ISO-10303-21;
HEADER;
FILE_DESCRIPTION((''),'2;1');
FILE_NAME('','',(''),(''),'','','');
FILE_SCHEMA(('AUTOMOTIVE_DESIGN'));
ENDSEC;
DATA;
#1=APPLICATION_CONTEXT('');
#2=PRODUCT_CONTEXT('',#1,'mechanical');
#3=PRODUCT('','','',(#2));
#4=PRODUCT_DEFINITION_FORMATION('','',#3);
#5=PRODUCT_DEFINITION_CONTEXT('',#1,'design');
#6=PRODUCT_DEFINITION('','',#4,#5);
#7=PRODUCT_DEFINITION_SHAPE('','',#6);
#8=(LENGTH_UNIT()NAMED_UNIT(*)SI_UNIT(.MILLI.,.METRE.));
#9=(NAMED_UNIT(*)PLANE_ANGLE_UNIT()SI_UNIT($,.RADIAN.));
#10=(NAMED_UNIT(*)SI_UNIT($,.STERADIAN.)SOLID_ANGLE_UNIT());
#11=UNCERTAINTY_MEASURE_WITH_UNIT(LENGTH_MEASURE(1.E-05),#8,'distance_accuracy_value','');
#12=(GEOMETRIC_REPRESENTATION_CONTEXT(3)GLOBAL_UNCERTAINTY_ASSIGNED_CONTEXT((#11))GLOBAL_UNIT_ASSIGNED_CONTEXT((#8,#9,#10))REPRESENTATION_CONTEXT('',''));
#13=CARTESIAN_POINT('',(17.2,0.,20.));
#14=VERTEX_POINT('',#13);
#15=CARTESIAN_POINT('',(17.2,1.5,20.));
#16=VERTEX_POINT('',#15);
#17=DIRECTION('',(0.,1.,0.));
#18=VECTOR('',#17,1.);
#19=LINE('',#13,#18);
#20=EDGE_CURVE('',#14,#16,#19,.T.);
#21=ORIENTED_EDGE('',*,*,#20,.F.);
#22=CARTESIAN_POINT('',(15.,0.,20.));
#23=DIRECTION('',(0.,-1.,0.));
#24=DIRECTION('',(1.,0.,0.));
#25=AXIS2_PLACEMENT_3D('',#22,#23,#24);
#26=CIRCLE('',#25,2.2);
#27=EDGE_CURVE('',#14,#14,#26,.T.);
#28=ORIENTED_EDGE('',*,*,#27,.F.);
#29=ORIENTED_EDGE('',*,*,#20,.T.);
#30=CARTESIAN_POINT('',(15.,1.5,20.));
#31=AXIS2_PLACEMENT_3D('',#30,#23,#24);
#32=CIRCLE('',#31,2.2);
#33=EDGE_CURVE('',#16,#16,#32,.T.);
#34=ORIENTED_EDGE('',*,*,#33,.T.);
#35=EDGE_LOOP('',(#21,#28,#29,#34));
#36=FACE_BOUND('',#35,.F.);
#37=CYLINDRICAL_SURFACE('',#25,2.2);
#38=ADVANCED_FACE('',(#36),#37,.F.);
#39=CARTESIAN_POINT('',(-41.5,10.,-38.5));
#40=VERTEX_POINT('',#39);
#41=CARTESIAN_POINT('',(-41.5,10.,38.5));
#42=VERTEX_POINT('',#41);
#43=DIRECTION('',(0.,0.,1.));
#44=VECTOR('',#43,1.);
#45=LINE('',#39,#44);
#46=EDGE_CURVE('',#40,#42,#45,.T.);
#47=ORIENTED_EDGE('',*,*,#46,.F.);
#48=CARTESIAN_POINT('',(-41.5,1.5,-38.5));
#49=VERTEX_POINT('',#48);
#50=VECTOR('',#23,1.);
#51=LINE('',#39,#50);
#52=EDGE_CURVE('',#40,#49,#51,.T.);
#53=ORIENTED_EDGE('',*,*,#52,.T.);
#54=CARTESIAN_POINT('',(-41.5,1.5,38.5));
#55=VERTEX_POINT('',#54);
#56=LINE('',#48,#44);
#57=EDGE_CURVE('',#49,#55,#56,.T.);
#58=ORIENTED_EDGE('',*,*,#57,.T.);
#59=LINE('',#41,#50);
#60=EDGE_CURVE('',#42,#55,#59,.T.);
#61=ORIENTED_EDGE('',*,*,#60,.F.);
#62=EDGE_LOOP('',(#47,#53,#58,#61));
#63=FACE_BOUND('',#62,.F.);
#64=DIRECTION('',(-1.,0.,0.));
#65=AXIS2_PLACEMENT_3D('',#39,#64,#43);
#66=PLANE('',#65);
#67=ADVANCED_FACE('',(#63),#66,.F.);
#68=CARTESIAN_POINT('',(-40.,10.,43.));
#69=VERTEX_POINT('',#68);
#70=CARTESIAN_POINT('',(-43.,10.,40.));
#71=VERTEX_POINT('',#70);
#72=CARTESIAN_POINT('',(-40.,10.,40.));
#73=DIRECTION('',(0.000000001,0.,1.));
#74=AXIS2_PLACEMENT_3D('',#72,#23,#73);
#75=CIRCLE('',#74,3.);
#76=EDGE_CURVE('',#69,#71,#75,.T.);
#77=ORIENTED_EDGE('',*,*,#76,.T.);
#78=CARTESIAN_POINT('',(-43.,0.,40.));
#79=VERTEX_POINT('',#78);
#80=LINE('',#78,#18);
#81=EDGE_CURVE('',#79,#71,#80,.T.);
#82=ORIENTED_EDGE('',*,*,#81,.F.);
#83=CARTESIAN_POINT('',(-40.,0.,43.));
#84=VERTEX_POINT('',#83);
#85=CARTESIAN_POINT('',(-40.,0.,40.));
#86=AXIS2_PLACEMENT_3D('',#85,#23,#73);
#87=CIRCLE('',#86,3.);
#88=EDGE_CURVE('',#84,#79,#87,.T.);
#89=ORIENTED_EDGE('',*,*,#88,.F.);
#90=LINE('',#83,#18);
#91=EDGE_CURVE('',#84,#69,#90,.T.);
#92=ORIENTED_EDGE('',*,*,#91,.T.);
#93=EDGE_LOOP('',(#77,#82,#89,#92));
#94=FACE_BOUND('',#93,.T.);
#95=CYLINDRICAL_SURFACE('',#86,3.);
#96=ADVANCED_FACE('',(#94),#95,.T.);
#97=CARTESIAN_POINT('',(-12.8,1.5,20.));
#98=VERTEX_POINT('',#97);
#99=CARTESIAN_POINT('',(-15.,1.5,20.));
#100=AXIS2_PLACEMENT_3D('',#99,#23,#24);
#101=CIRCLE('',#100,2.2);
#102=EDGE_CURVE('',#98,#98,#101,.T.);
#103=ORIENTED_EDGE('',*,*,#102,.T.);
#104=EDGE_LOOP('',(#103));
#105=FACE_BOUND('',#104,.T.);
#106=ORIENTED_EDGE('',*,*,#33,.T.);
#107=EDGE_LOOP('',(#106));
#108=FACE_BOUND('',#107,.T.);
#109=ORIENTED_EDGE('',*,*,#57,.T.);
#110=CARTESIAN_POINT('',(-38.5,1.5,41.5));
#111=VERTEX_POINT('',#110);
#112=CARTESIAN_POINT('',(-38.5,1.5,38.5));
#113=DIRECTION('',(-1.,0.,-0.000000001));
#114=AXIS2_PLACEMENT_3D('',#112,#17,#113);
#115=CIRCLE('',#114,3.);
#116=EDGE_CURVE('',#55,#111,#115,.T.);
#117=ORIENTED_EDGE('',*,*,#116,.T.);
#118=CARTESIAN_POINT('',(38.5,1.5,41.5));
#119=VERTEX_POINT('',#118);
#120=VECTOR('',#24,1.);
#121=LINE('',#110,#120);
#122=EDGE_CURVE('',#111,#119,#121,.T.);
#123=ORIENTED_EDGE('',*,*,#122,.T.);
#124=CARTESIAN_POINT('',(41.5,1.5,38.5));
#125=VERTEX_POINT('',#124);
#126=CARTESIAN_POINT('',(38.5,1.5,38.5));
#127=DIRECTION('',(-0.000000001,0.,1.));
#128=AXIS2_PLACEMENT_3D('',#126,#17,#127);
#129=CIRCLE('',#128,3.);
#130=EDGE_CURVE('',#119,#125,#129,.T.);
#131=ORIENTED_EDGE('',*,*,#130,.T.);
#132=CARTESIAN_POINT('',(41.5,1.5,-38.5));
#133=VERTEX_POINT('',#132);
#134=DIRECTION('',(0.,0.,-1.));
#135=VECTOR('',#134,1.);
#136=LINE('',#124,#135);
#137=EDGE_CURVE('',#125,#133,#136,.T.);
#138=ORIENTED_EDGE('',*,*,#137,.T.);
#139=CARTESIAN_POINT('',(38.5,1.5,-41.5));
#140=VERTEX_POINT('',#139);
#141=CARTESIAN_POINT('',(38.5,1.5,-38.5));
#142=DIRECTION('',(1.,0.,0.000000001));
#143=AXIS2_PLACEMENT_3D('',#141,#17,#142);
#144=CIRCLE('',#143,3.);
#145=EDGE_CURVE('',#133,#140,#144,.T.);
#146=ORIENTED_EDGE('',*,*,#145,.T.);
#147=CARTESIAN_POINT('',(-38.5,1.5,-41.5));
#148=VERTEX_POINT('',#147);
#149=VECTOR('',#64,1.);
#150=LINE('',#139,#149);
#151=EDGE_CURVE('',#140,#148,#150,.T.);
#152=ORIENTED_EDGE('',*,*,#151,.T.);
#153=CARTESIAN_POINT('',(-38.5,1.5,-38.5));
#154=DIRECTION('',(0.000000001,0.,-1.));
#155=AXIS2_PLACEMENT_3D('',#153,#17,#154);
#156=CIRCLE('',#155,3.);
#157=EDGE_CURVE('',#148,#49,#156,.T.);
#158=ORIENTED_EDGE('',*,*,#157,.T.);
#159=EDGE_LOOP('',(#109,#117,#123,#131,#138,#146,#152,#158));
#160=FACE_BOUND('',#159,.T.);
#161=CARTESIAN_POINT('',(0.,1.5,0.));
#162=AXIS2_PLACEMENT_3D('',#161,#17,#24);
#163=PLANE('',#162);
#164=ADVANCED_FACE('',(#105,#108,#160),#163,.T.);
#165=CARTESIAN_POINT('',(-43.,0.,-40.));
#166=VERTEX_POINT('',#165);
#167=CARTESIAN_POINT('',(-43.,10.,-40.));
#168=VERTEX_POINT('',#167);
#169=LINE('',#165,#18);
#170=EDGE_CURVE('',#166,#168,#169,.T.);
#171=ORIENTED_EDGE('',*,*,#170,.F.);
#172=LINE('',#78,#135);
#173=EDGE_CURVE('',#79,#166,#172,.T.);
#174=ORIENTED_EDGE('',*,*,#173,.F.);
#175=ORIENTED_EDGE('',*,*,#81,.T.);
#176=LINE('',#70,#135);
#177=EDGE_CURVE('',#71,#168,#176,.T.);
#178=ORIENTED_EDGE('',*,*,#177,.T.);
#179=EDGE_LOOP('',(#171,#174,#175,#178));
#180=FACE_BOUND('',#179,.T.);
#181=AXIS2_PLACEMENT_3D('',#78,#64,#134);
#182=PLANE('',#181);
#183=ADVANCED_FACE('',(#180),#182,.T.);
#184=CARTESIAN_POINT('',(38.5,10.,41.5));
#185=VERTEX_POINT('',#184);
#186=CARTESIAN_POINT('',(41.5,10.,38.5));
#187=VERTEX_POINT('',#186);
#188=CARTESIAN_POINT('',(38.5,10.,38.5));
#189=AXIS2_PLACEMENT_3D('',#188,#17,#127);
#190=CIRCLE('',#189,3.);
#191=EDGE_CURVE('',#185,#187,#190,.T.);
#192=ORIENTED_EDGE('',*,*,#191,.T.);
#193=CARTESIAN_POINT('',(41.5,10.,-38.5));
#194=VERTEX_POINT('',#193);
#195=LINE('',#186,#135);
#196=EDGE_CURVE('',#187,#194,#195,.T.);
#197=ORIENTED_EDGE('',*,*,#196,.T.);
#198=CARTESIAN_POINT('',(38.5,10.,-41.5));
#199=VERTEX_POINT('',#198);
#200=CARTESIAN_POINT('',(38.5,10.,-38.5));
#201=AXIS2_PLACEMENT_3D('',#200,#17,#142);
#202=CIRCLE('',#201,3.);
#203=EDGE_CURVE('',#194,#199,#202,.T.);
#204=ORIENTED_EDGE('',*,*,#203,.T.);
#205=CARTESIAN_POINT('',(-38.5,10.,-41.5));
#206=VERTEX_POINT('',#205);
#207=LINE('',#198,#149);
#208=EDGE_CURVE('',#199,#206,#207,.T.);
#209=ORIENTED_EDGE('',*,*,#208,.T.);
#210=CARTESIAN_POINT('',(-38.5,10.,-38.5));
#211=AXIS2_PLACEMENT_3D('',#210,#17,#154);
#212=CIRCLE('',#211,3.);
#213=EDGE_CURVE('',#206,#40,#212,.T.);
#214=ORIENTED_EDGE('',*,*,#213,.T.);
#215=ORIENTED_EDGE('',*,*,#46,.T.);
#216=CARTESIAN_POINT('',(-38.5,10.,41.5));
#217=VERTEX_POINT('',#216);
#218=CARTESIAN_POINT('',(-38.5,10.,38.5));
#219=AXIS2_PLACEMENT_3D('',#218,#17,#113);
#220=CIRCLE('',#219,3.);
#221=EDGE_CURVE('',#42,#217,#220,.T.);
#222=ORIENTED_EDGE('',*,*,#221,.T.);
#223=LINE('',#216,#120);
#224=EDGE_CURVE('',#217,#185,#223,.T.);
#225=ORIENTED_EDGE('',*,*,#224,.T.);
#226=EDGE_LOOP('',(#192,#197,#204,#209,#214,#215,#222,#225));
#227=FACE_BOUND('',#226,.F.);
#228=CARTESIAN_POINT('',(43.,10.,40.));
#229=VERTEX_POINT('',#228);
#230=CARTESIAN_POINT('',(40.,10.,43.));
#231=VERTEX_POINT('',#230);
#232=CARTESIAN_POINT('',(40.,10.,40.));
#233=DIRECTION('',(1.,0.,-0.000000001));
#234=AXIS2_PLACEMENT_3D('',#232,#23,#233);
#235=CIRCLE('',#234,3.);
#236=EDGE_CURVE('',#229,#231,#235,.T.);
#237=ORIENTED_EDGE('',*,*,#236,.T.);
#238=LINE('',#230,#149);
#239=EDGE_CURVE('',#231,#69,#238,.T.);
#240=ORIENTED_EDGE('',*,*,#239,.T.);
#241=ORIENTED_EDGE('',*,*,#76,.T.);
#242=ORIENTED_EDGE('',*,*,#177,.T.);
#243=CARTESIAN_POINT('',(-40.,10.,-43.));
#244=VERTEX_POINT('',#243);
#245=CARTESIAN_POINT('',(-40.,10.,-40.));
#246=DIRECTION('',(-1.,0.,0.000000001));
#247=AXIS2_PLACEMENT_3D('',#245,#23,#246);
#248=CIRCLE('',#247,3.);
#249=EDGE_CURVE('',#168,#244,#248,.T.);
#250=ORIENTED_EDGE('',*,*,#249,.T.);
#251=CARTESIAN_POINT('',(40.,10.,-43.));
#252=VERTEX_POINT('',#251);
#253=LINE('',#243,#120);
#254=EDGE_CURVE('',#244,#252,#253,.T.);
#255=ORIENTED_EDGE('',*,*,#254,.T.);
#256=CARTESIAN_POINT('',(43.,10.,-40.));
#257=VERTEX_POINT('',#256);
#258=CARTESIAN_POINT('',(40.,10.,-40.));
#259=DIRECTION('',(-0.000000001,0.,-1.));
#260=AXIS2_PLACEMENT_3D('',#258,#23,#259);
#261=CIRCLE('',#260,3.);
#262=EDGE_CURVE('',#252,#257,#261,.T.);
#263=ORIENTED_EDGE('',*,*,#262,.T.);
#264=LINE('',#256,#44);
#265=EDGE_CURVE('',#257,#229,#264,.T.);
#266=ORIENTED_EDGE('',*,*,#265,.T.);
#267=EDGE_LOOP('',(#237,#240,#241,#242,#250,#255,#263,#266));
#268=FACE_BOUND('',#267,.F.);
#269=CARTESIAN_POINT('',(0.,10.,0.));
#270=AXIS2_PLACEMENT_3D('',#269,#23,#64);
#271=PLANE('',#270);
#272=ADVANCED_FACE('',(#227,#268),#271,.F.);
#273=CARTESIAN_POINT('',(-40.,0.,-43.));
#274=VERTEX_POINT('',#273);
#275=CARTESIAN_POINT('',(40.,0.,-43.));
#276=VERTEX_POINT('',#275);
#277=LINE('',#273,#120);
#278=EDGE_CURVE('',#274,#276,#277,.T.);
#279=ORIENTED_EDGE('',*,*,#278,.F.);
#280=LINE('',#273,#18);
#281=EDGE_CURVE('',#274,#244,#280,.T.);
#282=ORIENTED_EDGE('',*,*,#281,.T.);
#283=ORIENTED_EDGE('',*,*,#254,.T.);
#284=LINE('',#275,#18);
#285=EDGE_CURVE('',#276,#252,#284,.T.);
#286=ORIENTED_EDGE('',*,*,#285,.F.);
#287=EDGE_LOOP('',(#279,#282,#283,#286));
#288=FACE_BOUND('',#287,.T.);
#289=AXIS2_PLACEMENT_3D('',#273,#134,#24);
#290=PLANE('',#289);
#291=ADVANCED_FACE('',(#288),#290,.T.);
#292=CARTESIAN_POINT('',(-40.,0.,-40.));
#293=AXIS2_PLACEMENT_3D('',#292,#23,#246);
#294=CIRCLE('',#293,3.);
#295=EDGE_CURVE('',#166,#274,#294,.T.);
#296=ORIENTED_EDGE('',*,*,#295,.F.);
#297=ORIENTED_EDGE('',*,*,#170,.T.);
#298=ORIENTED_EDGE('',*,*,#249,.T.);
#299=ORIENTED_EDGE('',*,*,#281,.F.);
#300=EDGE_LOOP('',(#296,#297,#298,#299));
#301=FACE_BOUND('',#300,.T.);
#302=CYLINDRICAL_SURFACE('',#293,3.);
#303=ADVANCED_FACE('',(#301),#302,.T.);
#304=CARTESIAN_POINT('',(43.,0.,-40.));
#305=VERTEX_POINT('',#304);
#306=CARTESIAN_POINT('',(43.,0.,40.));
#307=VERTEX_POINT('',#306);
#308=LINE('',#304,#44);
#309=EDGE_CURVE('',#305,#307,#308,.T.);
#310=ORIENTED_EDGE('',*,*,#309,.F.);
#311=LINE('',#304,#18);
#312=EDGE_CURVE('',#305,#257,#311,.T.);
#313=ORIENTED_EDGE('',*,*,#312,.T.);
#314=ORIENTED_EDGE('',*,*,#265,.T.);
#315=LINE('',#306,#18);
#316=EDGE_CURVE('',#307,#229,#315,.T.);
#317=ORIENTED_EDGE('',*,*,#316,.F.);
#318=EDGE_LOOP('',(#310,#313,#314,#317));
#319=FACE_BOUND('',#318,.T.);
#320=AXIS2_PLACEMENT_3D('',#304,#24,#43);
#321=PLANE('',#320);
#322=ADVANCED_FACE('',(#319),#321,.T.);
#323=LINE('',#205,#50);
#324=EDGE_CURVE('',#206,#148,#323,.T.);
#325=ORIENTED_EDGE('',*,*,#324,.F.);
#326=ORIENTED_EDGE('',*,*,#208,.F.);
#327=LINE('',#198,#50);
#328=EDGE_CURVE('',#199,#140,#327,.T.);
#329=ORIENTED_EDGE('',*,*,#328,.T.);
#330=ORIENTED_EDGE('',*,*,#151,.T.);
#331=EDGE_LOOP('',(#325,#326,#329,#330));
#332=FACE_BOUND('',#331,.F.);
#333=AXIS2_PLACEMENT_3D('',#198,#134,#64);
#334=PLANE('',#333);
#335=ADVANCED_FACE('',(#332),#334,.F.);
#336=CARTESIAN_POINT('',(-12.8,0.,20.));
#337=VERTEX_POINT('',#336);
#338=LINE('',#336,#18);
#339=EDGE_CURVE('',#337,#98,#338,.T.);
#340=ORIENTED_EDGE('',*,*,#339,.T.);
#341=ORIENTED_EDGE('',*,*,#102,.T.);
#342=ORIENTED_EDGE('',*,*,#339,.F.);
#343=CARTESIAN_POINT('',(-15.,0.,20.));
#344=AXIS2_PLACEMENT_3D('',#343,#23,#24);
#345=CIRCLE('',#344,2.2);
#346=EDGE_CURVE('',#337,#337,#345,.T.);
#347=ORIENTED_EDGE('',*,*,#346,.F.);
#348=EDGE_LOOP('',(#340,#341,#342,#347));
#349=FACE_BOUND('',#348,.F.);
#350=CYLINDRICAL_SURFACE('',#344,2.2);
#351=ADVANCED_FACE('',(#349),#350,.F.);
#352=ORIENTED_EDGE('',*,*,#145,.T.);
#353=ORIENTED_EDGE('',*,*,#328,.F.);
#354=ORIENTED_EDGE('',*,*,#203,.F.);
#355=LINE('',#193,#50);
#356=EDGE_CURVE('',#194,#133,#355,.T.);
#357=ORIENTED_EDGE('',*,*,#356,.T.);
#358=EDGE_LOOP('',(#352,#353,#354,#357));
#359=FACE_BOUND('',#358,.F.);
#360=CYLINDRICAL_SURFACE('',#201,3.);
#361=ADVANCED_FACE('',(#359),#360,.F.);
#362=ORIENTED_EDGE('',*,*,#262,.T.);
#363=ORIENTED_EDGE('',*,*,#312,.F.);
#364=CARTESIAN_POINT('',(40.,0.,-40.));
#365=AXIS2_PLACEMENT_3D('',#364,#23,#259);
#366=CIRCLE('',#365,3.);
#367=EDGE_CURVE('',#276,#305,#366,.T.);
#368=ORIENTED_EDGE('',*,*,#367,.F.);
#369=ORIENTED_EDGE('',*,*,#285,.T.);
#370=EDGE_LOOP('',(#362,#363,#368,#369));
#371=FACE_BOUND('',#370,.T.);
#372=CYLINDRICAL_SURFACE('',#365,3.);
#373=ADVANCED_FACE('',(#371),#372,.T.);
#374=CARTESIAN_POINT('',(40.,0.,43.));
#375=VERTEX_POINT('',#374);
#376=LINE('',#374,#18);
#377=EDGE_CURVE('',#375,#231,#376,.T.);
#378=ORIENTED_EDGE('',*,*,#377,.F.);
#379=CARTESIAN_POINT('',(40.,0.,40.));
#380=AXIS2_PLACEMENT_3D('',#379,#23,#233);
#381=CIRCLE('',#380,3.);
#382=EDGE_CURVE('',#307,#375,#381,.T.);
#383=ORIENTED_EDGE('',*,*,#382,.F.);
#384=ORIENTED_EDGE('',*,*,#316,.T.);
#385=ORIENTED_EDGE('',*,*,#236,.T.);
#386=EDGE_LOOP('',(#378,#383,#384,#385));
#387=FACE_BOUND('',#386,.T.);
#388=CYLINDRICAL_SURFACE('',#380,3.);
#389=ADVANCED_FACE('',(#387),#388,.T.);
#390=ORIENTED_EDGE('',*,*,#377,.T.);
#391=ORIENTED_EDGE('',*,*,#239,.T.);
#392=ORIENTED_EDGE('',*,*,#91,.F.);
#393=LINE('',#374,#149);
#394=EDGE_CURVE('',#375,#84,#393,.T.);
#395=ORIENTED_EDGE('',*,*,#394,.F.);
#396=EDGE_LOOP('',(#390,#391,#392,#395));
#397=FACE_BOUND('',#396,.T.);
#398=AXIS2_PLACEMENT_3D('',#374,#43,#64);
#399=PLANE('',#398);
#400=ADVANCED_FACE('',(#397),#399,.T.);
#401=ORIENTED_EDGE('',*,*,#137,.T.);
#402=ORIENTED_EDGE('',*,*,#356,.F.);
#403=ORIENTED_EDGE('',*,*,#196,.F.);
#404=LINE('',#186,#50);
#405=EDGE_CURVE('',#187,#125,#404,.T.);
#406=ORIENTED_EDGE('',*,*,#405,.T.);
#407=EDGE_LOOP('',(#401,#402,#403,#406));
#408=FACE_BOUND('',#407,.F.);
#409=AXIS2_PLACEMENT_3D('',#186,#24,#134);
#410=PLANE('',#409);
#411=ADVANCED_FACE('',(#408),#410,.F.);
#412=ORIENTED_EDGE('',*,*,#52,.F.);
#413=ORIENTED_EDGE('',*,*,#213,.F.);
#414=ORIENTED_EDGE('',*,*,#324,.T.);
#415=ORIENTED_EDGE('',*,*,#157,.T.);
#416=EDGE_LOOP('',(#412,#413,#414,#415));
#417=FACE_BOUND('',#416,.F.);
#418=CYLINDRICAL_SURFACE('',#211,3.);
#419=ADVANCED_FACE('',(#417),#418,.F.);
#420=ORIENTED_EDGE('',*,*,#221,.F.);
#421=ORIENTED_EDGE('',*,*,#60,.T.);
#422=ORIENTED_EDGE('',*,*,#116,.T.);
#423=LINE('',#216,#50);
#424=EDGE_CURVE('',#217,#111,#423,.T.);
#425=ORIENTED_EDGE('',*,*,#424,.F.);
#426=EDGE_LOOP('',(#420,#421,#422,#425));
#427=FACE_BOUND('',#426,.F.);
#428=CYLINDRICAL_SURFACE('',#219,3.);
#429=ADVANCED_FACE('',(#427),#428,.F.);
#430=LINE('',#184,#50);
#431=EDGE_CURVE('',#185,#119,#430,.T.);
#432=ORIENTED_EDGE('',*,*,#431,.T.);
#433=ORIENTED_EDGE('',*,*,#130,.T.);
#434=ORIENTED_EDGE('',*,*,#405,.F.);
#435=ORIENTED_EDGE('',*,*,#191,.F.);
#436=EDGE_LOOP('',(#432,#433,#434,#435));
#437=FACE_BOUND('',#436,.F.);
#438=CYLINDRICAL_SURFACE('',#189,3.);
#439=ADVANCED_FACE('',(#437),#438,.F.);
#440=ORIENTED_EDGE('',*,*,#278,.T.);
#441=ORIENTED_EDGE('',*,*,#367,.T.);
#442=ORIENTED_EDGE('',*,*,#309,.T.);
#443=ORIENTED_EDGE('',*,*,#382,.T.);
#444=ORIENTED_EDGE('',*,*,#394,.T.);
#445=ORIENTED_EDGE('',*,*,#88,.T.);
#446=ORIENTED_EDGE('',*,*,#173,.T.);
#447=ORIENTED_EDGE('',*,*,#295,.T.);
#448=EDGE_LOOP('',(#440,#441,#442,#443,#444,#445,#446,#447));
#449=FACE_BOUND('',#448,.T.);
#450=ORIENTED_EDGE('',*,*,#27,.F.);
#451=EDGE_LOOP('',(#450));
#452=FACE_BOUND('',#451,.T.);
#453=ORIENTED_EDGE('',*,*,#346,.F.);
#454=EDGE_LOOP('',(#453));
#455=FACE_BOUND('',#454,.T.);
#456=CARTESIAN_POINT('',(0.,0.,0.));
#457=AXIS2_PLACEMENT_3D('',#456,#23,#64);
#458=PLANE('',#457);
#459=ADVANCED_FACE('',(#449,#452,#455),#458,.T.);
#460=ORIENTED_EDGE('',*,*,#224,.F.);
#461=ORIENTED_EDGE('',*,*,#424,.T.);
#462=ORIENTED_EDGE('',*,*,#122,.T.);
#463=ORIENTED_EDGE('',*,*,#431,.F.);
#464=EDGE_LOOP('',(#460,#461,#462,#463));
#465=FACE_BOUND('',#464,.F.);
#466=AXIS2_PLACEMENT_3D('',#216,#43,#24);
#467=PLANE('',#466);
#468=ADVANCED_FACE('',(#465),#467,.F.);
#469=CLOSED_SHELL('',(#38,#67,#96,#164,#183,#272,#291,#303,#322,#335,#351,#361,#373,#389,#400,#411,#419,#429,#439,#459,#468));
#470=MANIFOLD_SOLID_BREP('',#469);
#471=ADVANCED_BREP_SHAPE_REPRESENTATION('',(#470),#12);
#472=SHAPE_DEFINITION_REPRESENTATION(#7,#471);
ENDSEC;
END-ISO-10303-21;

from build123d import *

# Parameters (mm, degrees)
EXTRUDE_1_DEPTH     = 10
CUT_EXTRUDE_1_DEPTH = 8.5
SKETCH_3_R          = 2.2
CUT_EXTRUDE_2_DEPTH = 11


with BuildPart() as part:
    # Эскиз1 → Бобышка-Вытянуть1 (new body)
    with BuildSketch(Plane(origin=(0, 0, 0), x_dir=(1, 0, 0), z_dir=(0, 1, 0))):
        with BuildLine():
            Line((-40, 43), (40, 43))
            ThreePointArc((40, 43), (42.121320344, 42.121320344), (43, 40))
            Line((43, 40), (43, -40))
            ThreePointArc((43, -40), (42.121320344, -42.121320344), (40, -43))
            Line((40, -43), (-40, -43))
            ThreePointArc((-40, -43), (-42.121320344, -42.121320344), (-43, -40))
            Line((-43, -40), (-43, 40))
            ThreePointArc((-43, 40), (-42.121320344, 42.121320344), (-40, 43))
        make_face()
    extrude(amount=EXTRUDE_1_DEPTH)

    # Эскиз2 → Вырез-Вытянуть1 (cut)
    with BuildSketch(Plane(origin=(0, 10, 0), x_dir=(1, 0, 0), z_dir=(0, 1, 0))):
        with BuildLine():
            Line((-38.5, -41.5), (38.5, -41.5))
            ThreePointArc((38.5, -41.5), (40.621320344, -40.621320344), (41.5, -38.5))
            Line((41.5, -38.5), (41.5, 38.5))
            ThreePointArc((41.5, 38.5), (40.621320344, 40.621320344), (38.5, 41.5))
            Line((38.5, 41.5), (-38.5, 41.5))
            ThreePointArc((-38.5, 41.5), (-40.621320344, 40.621320344), (-41.5, 38.5))
            Line((-41.5, 38.5), (-41.5, -38.5))
            ThreePointArc((-41.5, -38.5), (-40.621320344, -40.621320344), (-38.5, -41.5))
        make_face()
    extrude(amount=-CUT_EXTRUDE_1_DEPTH, mode=Mode.SUBTRACT)

    # Эскиз3 → Вырез-Вытянуть2 (cut, through all)
    with BuildSketch(Plane.XZ):
        with Locations((-15, 20)):
            Circle(SKETCH_3_R)
        with Locations((15, 20)):
            Circle(SKETCH_3_R)
    extrude(amount=-CUT_EXTRUDE_2_DEPTH, mode=Mode.SUBTRACT)


solid = part.part
